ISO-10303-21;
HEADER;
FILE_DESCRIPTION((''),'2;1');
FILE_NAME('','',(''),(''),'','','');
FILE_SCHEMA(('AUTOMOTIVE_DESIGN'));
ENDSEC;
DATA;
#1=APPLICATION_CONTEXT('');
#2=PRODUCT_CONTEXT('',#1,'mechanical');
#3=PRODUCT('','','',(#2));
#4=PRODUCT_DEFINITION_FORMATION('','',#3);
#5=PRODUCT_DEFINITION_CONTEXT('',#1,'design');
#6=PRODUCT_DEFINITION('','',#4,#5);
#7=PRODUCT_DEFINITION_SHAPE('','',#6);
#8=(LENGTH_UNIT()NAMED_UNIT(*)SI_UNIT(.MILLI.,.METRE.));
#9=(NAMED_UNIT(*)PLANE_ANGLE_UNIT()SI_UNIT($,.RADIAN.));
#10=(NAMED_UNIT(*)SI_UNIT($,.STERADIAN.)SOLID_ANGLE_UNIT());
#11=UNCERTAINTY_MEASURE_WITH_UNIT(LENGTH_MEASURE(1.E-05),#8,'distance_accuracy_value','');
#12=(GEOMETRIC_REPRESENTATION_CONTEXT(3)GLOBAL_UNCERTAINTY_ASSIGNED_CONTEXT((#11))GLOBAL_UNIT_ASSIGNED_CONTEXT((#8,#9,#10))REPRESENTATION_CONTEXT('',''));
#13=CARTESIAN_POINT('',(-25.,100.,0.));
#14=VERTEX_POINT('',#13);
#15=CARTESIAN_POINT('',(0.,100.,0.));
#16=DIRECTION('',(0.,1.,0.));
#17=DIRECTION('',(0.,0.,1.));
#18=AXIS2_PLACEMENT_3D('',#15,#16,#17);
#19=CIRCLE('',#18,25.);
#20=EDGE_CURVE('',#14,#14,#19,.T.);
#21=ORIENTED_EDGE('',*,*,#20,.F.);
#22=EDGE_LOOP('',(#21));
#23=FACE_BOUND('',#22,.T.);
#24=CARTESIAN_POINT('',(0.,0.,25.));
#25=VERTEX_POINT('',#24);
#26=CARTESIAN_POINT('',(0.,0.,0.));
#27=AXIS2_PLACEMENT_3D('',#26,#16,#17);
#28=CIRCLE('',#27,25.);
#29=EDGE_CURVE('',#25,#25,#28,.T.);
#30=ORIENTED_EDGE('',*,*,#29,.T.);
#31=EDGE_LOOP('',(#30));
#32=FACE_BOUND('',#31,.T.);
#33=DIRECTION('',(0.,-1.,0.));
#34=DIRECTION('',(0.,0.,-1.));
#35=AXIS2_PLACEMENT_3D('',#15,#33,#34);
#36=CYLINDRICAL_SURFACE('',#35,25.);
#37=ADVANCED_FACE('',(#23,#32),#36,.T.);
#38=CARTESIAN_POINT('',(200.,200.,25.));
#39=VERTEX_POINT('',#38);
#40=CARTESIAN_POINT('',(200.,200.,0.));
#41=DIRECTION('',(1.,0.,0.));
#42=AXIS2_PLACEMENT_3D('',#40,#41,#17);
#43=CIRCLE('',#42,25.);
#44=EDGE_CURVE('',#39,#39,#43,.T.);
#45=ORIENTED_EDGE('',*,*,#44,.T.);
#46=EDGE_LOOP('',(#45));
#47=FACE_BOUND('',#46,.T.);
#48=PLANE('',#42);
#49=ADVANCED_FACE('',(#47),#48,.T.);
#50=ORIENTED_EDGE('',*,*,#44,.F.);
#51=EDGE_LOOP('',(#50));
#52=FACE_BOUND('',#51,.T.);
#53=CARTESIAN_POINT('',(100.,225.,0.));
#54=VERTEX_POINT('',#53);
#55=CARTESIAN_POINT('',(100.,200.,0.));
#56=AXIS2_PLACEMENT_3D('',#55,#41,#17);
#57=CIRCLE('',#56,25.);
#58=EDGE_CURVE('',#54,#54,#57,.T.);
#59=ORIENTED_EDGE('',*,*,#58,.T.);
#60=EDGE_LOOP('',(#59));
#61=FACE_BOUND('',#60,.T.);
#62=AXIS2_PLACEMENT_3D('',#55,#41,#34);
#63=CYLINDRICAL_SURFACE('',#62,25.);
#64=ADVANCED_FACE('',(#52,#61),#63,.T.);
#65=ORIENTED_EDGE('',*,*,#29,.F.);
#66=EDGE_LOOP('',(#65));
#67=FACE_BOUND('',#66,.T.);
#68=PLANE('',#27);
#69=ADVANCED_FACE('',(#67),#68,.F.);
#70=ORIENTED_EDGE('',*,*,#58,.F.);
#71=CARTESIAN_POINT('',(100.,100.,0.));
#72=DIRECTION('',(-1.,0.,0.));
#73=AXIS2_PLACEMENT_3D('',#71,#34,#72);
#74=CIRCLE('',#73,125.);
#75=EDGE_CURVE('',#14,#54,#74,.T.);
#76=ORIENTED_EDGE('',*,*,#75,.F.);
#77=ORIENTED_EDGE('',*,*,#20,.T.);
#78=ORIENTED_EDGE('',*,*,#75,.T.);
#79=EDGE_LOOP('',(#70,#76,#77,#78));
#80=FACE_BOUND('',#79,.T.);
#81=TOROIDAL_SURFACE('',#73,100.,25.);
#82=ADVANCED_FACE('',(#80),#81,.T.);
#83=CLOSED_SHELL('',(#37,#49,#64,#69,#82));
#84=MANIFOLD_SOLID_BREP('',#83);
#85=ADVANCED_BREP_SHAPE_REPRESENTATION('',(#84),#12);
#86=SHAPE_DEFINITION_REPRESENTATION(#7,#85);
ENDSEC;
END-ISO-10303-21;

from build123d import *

# Parameters (mm, degrees)
SKETCH1_R = 25


with BuildPart() as part:
    # Sweep1: sweep along a path in Sketch2
    with BuildLine(Plane.XY) as sweep1_path:
        Line((0, 0), (0, 100))
        ThreePointArc((0, 100), (29.289321881, 170.710678119), (100, 200))
        Line((100, 200), (200, 200))
    # Sketch1 → Sweep1 (sweep)
    with BuildSketch(Plane(origin=(0, 0, 0), x_dir=(1, 0, 0), z_dir=(0, 1, 0))):
        Circle(SKETCH1_R)
    sweep(path=sweep1_path.line)


solid = part.part
